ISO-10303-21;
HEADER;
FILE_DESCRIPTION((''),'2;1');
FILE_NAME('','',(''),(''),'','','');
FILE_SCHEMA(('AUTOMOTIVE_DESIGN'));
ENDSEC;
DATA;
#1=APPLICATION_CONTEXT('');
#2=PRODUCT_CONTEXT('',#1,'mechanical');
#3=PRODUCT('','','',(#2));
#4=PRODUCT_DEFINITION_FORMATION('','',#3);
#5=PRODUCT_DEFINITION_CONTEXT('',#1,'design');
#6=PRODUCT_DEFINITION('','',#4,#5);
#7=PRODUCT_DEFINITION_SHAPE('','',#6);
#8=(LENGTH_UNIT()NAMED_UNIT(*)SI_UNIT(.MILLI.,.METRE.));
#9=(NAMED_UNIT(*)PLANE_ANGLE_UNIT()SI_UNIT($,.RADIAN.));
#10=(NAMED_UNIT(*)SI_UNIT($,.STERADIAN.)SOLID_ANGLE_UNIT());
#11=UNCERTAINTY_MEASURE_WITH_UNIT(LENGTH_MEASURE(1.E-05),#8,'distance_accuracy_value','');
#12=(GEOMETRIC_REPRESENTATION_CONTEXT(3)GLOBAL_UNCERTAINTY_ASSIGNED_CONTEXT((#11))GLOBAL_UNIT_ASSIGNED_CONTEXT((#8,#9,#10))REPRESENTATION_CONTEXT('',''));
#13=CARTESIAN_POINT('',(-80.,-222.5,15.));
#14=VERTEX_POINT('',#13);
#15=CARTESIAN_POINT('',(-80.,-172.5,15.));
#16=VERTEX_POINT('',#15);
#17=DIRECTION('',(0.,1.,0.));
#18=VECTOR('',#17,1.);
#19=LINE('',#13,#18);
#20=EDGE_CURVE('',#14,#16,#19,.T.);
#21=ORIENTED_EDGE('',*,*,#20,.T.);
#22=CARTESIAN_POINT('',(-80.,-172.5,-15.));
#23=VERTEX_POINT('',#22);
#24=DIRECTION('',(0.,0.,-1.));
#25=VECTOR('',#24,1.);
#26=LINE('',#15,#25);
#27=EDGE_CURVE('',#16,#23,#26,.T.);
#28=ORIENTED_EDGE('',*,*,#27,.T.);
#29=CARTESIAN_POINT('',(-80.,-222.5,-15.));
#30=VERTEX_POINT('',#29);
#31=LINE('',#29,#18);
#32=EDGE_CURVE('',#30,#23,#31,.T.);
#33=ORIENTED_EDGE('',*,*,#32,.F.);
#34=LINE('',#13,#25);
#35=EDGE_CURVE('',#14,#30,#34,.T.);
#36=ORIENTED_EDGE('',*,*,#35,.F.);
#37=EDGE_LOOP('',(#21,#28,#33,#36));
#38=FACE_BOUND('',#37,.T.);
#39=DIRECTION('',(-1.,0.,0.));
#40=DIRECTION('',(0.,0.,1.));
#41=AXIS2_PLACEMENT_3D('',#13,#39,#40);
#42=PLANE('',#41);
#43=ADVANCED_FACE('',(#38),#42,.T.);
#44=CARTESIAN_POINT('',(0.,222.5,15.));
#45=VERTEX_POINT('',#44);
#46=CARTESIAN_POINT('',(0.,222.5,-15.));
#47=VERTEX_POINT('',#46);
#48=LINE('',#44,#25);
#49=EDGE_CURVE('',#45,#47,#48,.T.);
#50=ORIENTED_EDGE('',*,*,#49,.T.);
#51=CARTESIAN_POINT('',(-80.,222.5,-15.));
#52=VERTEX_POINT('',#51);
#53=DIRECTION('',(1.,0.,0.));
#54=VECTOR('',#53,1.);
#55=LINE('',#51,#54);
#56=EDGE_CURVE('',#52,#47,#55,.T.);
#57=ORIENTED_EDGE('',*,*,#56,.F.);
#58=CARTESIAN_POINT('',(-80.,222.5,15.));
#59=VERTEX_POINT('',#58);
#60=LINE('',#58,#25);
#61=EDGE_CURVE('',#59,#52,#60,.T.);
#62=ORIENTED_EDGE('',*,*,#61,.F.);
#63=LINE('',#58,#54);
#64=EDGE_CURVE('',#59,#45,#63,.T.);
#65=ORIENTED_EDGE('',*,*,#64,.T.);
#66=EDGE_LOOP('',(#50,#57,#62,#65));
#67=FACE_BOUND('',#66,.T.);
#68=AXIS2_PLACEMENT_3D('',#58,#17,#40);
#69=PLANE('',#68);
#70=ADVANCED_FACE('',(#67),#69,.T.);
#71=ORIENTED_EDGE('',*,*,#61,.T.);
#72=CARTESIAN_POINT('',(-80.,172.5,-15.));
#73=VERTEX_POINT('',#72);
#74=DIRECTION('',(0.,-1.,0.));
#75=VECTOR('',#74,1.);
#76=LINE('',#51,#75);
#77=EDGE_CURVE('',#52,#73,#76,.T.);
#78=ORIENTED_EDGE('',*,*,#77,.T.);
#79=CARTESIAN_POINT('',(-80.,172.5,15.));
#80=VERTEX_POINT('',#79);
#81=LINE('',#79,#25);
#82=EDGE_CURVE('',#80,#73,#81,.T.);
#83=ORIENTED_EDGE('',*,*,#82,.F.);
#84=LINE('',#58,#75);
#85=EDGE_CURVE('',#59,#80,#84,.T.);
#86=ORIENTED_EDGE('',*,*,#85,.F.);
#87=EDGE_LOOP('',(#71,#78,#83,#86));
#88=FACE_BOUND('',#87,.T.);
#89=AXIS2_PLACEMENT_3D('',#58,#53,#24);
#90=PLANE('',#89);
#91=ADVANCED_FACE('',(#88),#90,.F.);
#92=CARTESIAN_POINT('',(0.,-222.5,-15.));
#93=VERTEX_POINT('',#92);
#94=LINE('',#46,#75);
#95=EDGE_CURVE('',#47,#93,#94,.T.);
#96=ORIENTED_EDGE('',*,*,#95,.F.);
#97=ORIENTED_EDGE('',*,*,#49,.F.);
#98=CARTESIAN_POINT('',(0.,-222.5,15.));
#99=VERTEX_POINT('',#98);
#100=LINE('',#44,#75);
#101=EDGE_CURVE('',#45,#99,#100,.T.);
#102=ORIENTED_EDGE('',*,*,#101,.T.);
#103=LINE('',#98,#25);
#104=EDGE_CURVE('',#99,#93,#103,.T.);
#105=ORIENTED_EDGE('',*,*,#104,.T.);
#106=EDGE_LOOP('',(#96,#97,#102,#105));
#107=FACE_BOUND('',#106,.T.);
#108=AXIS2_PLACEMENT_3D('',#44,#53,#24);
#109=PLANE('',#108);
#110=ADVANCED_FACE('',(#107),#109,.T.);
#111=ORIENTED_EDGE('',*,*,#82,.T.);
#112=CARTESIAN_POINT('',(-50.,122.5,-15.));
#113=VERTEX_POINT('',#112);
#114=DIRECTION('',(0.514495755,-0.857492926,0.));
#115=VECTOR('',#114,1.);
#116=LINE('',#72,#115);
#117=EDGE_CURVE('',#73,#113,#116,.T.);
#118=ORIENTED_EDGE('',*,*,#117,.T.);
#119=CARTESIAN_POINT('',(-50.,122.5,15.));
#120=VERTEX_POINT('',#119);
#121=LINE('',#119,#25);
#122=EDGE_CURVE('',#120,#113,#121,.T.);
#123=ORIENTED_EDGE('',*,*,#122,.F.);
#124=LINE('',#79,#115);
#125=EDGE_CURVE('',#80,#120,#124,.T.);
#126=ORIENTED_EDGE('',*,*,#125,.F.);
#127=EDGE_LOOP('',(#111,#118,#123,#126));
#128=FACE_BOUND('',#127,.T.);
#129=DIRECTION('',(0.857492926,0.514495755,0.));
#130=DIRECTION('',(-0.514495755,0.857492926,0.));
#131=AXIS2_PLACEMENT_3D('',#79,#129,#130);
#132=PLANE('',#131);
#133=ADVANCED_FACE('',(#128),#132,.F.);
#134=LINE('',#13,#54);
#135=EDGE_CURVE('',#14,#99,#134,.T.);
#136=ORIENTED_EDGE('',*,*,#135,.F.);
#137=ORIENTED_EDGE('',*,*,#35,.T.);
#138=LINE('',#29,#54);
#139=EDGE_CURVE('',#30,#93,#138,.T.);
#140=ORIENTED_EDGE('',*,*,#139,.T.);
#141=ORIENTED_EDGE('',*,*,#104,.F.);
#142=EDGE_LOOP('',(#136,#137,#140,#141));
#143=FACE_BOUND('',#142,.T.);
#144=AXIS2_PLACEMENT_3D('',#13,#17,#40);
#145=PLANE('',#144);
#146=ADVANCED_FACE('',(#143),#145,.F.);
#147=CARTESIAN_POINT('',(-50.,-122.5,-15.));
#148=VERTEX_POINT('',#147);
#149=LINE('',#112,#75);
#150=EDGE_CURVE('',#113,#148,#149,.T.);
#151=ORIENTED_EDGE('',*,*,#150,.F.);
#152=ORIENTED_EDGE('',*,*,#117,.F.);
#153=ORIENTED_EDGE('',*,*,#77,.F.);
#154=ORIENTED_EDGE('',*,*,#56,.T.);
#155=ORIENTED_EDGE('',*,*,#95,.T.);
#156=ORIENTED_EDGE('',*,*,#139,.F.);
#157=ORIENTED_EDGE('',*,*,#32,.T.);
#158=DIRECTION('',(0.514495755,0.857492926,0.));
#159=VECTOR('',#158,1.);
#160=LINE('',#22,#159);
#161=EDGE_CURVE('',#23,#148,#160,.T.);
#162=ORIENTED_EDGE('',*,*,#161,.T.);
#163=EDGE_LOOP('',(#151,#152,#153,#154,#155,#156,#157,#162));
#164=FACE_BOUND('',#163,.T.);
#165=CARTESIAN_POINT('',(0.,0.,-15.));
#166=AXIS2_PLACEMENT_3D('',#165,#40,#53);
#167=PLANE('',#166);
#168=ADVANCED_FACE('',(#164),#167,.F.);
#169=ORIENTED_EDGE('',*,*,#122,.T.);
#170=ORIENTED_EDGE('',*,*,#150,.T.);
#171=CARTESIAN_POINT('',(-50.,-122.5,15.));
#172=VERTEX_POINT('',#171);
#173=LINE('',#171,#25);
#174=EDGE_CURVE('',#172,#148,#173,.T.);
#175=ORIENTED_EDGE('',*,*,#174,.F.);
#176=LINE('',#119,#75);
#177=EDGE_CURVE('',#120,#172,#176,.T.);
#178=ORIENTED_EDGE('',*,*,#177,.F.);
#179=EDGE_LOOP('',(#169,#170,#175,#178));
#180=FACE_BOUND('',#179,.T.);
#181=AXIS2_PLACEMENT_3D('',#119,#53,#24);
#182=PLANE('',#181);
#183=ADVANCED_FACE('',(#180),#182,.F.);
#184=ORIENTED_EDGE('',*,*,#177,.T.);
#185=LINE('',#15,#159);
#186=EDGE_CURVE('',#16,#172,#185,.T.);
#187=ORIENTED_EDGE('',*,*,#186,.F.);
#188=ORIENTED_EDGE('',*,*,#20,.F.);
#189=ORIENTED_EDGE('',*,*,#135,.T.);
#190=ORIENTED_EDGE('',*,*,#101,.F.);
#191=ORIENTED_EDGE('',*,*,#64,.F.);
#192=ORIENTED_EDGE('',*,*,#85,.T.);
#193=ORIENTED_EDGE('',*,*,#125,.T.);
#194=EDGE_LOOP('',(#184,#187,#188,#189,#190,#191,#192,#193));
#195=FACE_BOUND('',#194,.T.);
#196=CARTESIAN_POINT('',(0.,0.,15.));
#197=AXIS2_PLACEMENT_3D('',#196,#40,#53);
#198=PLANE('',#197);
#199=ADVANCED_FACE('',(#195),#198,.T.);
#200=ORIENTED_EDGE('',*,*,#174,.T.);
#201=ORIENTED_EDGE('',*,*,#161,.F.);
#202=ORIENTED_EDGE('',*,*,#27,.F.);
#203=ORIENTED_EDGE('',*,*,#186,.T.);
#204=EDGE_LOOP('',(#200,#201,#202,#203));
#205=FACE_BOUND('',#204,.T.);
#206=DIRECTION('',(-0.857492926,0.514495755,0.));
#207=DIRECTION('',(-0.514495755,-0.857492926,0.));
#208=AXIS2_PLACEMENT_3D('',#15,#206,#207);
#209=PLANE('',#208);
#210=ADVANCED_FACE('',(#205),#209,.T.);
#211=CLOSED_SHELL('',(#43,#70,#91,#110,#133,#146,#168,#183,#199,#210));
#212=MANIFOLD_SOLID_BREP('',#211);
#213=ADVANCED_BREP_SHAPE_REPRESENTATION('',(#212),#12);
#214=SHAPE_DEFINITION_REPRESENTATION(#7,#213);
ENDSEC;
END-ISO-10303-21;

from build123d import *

# Parameters (mm, degrees)
BOSS_EXTRUDE1_DEPTH = 15


with BuildPart() as part:
    # Sketch1 → Boss-Extrude1 (new, symmetric)
    with BuildSketch(Plane.XY):
        Polygon((-80, 222.5), (0, 222.5), (0, -222.5), (-80, -222.5), (-80, -172.5), (-50, -122.5), (-50, 122.5), (-80, 172.5), align=None)
    extrude(amount=BOSS_EXTRUDE1_DEPTH, both=True)


solid = part.part
